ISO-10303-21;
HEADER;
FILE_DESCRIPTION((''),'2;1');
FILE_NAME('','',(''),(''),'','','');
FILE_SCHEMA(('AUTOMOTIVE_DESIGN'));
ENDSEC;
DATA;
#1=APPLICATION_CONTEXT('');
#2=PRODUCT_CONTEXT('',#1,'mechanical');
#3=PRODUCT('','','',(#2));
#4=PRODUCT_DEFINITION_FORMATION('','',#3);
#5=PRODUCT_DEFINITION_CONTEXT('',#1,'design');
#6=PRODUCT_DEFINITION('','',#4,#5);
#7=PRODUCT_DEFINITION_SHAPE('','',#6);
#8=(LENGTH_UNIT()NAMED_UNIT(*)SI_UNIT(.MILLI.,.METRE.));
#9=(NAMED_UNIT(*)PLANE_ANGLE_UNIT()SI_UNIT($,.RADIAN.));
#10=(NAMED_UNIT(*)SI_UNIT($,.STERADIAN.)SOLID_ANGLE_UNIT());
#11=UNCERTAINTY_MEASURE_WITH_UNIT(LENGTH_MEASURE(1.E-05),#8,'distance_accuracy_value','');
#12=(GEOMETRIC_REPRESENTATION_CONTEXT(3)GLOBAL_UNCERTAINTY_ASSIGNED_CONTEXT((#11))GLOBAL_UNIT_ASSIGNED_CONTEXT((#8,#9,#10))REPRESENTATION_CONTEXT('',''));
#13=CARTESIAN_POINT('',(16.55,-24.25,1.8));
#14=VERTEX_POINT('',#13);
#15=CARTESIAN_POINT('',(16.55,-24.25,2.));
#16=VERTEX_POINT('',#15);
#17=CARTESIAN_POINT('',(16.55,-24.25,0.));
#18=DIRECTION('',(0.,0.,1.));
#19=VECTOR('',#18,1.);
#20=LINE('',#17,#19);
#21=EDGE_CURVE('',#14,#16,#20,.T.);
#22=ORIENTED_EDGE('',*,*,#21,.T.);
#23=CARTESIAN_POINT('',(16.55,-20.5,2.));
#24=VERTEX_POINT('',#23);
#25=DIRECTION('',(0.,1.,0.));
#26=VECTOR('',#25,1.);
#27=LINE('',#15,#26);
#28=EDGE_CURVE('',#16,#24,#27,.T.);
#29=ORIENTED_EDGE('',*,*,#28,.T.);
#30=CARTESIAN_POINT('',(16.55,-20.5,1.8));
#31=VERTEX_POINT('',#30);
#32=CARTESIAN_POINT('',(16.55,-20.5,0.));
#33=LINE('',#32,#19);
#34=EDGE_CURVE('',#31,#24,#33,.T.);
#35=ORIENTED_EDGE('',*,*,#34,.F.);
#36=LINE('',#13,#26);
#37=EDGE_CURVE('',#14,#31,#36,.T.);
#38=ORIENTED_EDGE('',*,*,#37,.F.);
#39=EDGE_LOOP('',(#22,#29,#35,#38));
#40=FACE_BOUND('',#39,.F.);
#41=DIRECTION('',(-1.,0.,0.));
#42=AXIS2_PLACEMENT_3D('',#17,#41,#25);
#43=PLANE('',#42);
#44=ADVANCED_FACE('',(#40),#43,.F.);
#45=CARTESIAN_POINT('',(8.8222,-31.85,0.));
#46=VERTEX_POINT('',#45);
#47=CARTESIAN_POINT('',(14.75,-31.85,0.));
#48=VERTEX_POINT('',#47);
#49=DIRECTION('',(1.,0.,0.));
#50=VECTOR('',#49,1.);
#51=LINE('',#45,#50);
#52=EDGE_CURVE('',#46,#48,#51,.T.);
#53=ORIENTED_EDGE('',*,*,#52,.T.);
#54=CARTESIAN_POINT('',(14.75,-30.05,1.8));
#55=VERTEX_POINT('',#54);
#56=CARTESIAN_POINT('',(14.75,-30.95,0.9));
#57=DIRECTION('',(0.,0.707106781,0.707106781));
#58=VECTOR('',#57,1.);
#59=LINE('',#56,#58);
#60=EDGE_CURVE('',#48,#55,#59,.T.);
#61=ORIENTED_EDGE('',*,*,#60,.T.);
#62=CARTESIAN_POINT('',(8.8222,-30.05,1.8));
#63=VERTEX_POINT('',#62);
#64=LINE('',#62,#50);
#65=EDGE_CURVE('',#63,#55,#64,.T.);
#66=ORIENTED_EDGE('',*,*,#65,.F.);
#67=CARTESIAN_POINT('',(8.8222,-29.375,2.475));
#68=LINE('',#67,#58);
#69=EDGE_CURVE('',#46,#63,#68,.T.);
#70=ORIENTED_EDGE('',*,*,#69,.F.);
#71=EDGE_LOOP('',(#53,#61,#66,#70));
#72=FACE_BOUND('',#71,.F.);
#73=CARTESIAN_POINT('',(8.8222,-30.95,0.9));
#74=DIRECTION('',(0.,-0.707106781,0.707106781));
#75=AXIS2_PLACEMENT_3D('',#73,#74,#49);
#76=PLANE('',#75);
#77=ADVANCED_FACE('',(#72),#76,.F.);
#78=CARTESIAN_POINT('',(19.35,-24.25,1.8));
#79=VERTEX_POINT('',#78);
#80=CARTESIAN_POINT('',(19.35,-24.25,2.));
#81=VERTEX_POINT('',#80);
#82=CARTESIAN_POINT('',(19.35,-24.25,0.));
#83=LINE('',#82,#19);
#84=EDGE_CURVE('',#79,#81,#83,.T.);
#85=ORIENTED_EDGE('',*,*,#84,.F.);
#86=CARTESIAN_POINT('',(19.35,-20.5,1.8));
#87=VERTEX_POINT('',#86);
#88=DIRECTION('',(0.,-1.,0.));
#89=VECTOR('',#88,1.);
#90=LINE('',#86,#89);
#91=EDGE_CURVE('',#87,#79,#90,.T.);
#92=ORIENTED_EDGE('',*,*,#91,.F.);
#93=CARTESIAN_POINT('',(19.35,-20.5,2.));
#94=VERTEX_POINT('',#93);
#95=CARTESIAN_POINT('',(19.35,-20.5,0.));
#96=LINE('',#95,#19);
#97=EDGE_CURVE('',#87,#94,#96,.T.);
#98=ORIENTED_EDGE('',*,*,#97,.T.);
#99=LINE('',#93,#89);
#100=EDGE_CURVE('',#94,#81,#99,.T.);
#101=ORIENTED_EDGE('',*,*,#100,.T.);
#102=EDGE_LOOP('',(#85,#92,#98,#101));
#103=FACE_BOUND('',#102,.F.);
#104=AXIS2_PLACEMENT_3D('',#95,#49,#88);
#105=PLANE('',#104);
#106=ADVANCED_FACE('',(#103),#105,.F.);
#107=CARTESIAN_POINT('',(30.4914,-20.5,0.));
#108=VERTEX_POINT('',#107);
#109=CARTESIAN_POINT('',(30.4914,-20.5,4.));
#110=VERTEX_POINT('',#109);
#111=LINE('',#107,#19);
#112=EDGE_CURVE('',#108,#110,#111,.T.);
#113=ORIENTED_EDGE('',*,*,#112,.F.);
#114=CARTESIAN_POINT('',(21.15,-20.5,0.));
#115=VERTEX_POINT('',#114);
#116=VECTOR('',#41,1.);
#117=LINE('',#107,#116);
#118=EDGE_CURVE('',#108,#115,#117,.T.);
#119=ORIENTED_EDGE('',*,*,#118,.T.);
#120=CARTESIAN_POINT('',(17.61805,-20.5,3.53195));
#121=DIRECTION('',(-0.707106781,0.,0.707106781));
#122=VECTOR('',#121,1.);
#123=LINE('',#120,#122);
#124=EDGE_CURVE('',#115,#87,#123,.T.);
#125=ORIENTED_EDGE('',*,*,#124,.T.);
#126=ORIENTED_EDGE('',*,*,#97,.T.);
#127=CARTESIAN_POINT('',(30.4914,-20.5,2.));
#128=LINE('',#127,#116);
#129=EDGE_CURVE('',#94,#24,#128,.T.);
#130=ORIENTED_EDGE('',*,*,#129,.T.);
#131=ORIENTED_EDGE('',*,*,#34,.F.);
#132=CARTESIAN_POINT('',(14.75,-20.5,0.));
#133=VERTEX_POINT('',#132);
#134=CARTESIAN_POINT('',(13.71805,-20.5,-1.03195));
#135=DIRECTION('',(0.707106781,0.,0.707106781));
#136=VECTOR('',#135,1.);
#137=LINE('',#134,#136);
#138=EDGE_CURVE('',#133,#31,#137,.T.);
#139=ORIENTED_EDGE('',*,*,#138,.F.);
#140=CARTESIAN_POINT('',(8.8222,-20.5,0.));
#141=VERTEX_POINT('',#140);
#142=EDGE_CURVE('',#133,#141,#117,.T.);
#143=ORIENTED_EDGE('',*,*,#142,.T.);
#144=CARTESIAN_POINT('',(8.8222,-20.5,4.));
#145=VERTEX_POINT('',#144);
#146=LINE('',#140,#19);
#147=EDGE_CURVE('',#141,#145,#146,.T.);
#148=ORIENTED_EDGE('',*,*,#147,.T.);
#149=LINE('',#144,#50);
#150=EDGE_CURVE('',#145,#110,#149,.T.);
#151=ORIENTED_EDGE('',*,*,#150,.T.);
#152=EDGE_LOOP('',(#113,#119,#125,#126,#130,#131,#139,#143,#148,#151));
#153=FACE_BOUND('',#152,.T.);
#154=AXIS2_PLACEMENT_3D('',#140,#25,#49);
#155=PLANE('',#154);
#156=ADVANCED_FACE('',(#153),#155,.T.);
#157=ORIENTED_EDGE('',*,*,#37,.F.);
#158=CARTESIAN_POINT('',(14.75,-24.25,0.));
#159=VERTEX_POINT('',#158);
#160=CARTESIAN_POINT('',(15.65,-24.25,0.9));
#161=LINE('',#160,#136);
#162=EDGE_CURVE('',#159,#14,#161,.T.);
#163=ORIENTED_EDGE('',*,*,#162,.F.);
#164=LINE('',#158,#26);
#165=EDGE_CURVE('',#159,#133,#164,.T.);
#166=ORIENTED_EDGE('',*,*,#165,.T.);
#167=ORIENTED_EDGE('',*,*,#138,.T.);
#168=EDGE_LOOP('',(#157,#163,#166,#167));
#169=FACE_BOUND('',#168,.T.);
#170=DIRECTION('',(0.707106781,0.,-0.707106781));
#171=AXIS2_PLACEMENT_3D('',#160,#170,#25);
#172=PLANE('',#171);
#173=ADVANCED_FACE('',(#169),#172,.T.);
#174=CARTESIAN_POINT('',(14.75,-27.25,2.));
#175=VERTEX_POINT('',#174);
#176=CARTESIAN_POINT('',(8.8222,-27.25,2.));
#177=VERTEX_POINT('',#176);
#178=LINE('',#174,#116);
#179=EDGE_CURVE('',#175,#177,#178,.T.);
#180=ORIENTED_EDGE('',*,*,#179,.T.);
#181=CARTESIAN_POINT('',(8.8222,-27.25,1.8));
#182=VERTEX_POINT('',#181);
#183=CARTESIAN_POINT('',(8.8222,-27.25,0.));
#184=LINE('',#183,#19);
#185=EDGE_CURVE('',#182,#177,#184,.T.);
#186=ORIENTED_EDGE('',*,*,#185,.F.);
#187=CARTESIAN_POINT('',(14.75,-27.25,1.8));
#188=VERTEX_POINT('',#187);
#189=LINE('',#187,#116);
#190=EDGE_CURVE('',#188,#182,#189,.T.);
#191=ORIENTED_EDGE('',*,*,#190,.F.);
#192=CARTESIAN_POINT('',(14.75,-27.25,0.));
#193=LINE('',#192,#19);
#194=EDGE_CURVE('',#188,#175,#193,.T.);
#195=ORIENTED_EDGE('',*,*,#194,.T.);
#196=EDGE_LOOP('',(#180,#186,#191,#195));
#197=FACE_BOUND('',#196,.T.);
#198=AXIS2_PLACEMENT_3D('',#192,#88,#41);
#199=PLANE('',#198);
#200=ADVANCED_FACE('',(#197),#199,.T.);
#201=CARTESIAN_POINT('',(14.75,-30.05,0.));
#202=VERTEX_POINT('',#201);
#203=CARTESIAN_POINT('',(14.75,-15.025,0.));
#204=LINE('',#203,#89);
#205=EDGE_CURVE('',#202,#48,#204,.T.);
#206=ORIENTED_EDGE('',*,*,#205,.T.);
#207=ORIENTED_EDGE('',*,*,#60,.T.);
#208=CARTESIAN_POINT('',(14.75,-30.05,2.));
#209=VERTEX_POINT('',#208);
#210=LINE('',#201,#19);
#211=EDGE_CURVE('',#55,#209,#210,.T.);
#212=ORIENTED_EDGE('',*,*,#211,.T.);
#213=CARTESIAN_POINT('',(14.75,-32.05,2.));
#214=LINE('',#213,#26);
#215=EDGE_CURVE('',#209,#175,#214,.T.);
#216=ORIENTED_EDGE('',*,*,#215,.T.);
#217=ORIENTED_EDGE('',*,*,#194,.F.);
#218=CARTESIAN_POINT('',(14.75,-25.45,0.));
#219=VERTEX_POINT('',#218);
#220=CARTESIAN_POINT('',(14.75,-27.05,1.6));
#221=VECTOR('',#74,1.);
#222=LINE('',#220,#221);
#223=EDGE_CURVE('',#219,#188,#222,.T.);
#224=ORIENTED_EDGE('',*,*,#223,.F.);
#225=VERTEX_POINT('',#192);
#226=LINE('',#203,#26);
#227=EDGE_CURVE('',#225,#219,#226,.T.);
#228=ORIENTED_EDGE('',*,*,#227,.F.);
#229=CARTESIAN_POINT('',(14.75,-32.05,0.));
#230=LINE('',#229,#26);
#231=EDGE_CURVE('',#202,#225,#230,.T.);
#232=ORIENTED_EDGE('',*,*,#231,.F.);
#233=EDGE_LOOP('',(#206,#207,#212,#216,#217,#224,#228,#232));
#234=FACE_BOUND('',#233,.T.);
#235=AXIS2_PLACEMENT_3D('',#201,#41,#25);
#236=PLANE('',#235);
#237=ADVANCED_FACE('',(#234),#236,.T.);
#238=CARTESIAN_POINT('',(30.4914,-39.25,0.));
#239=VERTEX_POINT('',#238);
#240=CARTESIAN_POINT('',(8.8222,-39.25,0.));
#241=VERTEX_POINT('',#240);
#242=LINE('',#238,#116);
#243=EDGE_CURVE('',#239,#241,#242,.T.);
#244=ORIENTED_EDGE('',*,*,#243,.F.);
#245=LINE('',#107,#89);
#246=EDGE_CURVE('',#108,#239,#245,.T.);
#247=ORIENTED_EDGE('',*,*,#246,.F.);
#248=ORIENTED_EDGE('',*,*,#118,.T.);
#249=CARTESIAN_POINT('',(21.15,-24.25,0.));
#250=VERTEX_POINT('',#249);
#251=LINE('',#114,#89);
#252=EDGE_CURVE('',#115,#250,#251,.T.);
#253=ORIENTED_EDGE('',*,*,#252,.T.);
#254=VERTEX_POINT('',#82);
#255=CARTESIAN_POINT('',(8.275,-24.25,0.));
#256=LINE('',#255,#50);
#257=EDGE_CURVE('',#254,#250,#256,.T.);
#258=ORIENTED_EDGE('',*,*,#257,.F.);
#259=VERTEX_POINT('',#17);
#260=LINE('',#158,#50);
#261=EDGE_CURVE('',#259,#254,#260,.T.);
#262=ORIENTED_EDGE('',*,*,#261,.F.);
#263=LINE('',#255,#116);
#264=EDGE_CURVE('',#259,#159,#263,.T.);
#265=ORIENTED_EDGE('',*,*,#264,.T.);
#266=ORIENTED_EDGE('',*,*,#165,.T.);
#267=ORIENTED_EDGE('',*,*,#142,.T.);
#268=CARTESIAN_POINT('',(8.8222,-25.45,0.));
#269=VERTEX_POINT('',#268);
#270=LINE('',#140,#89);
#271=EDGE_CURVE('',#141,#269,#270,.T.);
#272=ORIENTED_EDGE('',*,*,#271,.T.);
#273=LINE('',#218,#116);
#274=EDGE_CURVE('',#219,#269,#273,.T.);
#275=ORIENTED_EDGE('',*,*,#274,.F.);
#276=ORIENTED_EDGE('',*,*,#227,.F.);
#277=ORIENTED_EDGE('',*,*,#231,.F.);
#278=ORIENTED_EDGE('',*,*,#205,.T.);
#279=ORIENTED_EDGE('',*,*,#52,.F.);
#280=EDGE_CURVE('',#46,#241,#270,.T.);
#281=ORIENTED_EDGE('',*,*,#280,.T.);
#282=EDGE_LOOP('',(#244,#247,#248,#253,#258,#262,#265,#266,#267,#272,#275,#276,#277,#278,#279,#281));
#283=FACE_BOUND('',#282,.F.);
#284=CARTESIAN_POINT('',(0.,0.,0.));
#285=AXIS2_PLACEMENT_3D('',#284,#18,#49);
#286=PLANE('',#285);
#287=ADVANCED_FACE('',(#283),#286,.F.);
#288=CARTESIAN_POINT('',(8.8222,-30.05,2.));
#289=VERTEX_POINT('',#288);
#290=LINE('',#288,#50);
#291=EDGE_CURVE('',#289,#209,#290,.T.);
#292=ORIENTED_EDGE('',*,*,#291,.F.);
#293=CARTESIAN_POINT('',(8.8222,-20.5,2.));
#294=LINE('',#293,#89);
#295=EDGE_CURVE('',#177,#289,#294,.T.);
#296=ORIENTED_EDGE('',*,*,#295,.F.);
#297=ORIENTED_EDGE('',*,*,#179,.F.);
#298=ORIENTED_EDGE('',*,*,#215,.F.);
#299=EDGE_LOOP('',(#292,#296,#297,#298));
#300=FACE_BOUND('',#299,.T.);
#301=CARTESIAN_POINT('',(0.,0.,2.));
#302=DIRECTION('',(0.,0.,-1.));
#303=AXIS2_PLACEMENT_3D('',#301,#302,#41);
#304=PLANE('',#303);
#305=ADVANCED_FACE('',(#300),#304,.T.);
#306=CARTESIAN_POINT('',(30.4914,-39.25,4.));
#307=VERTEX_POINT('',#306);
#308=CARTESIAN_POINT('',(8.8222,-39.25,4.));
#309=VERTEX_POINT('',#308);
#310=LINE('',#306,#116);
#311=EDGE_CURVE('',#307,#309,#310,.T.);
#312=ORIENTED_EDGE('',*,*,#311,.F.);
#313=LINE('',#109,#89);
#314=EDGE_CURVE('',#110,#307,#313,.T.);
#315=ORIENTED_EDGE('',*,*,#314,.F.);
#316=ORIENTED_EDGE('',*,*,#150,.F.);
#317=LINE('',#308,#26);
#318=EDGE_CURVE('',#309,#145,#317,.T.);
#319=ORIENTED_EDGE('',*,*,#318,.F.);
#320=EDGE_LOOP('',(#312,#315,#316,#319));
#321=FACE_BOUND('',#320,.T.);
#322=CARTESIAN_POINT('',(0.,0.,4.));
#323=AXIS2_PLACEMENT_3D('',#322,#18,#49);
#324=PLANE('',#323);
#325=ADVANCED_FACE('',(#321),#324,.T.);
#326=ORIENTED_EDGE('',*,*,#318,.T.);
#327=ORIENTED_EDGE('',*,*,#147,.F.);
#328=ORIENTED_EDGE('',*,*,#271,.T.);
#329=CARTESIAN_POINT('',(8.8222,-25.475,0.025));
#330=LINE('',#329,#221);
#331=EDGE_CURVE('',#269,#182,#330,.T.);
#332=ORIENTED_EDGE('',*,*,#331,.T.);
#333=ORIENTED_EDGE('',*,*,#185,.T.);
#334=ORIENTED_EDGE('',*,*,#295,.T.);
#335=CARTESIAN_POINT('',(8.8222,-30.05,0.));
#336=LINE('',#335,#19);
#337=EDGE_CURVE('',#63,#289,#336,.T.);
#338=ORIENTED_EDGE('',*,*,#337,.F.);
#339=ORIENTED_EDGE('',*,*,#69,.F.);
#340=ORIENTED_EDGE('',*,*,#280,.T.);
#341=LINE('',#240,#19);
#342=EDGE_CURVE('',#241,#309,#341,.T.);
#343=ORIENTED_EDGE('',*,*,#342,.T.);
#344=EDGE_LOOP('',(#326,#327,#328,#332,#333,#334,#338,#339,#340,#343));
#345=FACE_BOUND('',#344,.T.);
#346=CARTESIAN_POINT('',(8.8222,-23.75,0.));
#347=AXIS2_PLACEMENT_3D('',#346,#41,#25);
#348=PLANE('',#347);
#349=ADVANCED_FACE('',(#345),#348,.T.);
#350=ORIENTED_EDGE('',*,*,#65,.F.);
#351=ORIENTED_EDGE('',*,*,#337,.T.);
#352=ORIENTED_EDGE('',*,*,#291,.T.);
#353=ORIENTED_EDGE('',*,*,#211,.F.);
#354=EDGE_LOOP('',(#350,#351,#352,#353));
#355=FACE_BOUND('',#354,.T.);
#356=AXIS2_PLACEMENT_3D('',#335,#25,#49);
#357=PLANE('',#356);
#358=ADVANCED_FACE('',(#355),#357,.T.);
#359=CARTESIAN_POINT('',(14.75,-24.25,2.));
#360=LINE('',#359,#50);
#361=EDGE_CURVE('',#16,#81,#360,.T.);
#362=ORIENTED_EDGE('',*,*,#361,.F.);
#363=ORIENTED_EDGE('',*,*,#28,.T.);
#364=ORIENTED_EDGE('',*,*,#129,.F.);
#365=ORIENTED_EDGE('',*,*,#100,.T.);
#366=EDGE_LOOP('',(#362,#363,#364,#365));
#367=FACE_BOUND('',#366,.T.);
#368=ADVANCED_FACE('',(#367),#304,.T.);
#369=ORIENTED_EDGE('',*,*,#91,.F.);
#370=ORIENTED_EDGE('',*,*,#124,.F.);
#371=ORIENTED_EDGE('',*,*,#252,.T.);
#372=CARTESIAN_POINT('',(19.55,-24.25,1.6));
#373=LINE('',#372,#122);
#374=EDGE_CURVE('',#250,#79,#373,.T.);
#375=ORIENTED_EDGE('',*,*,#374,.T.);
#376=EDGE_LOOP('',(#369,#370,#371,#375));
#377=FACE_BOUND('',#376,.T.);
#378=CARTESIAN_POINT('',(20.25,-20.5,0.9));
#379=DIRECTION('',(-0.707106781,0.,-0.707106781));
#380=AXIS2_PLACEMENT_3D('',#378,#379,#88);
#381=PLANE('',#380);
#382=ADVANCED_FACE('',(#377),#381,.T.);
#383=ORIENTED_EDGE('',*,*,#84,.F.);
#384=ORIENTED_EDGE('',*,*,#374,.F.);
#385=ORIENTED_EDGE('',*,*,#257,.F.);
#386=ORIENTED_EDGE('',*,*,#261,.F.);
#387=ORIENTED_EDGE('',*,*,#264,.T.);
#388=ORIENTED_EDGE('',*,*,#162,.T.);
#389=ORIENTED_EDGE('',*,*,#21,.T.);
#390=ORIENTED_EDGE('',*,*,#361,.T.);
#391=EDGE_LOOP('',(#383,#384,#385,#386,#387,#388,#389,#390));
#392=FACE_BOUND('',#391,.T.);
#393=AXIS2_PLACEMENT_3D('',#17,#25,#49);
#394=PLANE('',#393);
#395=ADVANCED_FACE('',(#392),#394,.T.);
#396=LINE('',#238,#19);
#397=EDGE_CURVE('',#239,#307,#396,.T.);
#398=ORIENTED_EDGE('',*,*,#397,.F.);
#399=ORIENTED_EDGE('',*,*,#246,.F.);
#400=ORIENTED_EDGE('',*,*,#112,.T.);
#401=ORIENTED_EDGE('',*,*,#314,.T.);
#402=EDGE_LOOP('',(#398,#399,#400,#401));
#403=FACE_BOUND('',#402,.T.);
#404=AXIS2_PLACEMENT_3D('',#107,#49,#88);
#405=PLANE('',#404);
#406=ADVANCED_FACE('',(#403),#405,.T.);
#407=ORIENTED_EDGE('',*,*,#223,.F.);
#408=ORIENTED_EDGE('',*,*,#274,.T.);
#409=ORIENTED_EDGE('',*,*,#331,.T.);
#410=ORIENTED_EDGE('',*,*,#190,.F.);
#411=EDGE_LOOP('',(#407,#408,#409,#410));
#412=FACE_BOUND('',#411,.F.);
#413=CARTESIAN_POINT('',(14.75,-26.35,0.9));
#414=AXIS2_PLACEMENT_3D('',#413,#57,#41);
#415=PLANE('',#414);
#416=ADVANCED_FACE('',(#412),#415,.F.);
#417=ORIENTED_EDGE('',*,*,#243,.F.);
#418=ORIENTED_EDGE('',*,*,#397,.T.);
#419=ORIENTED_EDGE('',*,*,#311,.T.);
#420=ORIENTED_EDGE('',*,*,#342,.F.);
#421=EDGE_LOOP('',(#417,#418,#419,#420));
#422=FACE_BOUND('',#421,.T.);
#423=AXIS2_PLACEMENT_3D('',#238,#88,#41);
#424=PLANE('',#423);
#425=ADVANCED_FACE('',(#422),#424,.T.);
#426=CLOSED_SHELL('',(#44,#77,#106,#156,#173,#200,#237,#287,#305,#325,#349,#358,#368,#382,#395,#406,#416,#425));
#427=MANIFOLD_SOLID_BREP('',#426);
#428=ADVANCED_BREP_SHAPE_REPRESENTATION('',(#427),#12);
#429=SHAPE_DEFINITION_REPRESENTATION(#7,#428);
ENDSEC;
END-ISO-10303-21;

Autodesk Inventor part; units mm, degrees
ref_plane "YZ Plane" through (0, 0, 0) normal (1, 0, 0) x (0, 1, 0)
ref_plane "XZ Plane" through (0, 0, 0) normal (0, 1, 0) x (-1, 0, 0)
ref_plane "XY Plane" through (0, 0, 0) normal (0, 0, 1) x (1, 0, 0)
ref_plane "Arbeitsebene1" through (0, 0, 0) normal (0, 0, 1) x (1, 0, 0)
sketch "Skizze1" plane through (0, 0, 0) normal (0, 0, 1) x (1, 0, 0)
  line L0 (8.8222, -7.25) -> (-9.1, -7.25) projected
  line L1 (-9.1, -7.25) -> (-9.1, 29.75) projected
  line L2 (-9.1, 29.75) -> (45.9, 29.75) projected
  line L3 (45.9, 29.75) -> (45.9, -7.25) projected
  line L4 (45.9, -7.25) -> (27.9778, -7.25) projected
  line L5 (-63.9, -32.5058) -> (-63.9, -38.75) projected
  line L6 (63.9, -38.75) -> (63.9, 3.9837) projected
  line L7 (63.9, 3.9837) -> (56.9, 3.9837) projected
  line L8 (56.9, 3.9837) -> (56.9, 8.0046) projected
  spline S0 degree 2 poles (56.9, 8.0046) (47.4544, 9.25) (56.9, 10.4954) knots 0.408689 0.408689 0.408689 2.009633 2.009633 2.009633 weights 1.06106 1.156332 1.06106 projected
  line L9 (56.9, 10.4954) -> (56.9, 14.5163) projected
  line L10 (56.9, 14.5163) -> (63.9, 14.5163) projected
  arc A0 (63.9, 38.75) -> (59.9, 42.75) centre (59.9, 38.75) ccw projected
  line L11 (59.9, 42.75) -> (-59.9, 42.75) projected
  arc A1 (-59.9, 42.75) -> (-63.9, 38.75) centre (-59.9, 38.75) ccw projected
  line L12 (-63.9, 25.4963) -> (-55.9, 25.4963) projected
  line L13 (-55.9, 25.4963) -> (-55.9, 19.75) projected
  line L14 (-55.9, 19.75) -> (-18.9, 19.75) projected
  line L15 (-18.9, 19.75) -> (-18.9, 10.3274) projected
  spline S1 degree 2 poles (-18.9, 10.3274) (-11.6855, 9.25) (-18.9, 8.1726) knots 0.06387 0.06387 0.06387 0.952272 0.952272 0.952272 weights 1.010578 1.079212 1.010578 projected
  line L16 (-18.9, 8.1726) -> (-18.9, -1.25) projected
  line L17 (-18.9, -1.25) -> (-55.9, -1.25) projected
  line L18 (-55.9, -1.25) -> (-55.9, -6.9963) projected
  line L19 (-55.9, -6.9963) -> (-63.9, -6.9963) projected
  line L20 (-63.9, -6.9963) -> (-63.9, -22.9942) projected
  line L21 (14.75, -32.05) -> (21.15, -32.05)
  line L22 (21.15, -32.05) -> (21.15, -24.25)
  line L23 (21.15, -24.25) -> (14.75, -24.25)
  line L24 (14.75, -24.25) -> (14.75, -32.05)
  line L25 (8.8222, -20.5) -> (30.4914, -20.5)
  line L26 (30.4914, -20.5) -> (30.4914, -39.25)
  line L27 (30.4914, -39.25) -> (8.8222, -39.25)
  line L28 (8.8222, -39.25) -> (8.8222, -20.5)
  line L29 (63.9, 14.5163) -> (63.9, 38.75) projected
  circle A2 centre (5.4922, -12.0867) radius 1.4 projected
  circle A3 centre (17.95, -36.25) radius 1.4 projected
  circle A4 centre (-27.8589, -14.9953) radius 1.4 projected
  circle A5 centre (-42.2276, -36.25) radius 1.4 projected
  circle A6 centre (-42.2276, -19.25) radius 1.4 projected
  circle A7 centre (-27.8589, -39.949) radius 1.4 projected
  circle A8 centre (27.4914, -28.65) radius 1.4 projected
  circle A9 centre (32.285, -12.0867) radius 1.4 projected
  line L30 (-8.36, -23.75) -> (8.8222, -23.75) projected
  line L31 (8.8222, -23.75) -> (8.8222, -7.25) projected
  line L32 (27.9778, -7.25) -> (27.9778, -25.25) projected
  line L33 (27.9778, -25.25) -> (21.15, -25.25) projected
  line L34 (21.15, -25.25) -> (21.15, -32.05) projected
  line L35 (21.15, -32.05) -> (14.75, -32.05) projected
  line L36 (14.75, -32.05) -> (14.75, -31.75) projected
  line L37 (14.75, -31.75) -> (-8.36, -31.75) projected
  line L38 (-8.36, -31.75) -> (-8.36, -36.25) projected
  line L39 (-8.36, -36.25) -> (-23.36, -36.25) projected
  line L40 (-23.36, -33.75) -> (-23.36, -36.25) projected
  line L41 (-38.36, -33.75) -> (-23.36, -33.75) projected
  line L42 (-38.36, -33.75) -> (-38.36, -31.25) projected
  line L43 (-38.36, -31.25) -> (-41.36, -31.25) projected
  line L44 (-41.36, -31.25) -> (-41.36, -32.5058) projected
  line L45 (-41.36, -32.5058) -> (-63.9, -32.5058) projected
  arc A10 (-63.9, -38.75) -> (-59.9, -42.75) centre (-59.9, -38.75) ccw projected
  line L46 (-59.9, -42.75) -> (59.9, -42.75) projected
  arc A11 (59.9, -42.75) -> (63.9, -38.75) centre (59.9, -38.75) ccw projected
  line L47 (-63.9, 38.75) -> (-63.9, 25.4963) projected
  line L48 (-63.9, -22.9942) -> (-41.36, -22.9942) projected
  line L49 (-41.36, -22.9942) -> (-41.36, -24.25) projected
  line L50 (-41.36, -24.25) -> (-38.36, -24.25) projected
  line L51 (-38.36, -24.25) -> (-38.36, -21.75) projected
  line L52 (-38.36, -21.75) -> (-23.36, -21.75) projected
  line L53 (-23.36, -19.25) -> (-23.36, -21.75) projected
  line L54 (-23.36, -19.25) -> (-8.36, -19.25) projected
  line L55 (-8.36, -19.25) -> (-8.36, -23.75) projected
  point P0 (0, 0)
  point P1 (15.25, -24.75)
  dimension "d0" = 0.5
extrude "Extrusion1" add sketch "Skizze1" along normal blind 4 contours L25 L32 L33 L22 L23 L24 L37 L28 | L25 L26 L27 L28 L37 L24 L21 L22 L33 L32 | L22 L21 L24 L23 | A3 | A8
sketch "Skizze2" plane through (0, 0, 0) normal (0, 0, -1) x (-1, 0, 0)
  line L0 (-8.8222, -39.25) -> (-30.4914, -39.25) projected
  line L1 (-8.8222, -20.5) -> (-8.8222, -39.25) projected
  line L2 (-30.4914, -20.5) -> (-8.8222, -20.5) projected
  line L3 (-30.4914, -39.25) -> (-30.4914, -20.5) projected
  line L4 (-14.75, -32.05) -> (-14.75, -24.25) projected
  line L5 (-8.8222, -20.5) -> (-8.8222, -39.25) projected
  line L6 (-14.75, -27.25) -> (-8.8222, -27.25)
  line L7 (-8.8222, -27.25) -> (-8.8222, -30.05)
  line L8 (-8.8222, -30.05) -> (-14.75, -30.05)
  line L9 (-14.75, -30.05) -> (-14.75, -27.25)
  line L10 (-14.75, -24.25) -> (-21.15, -24.25) projected
  line L11 (-30.4914, -20.5) -> (-8.8222, -20.5) projected
  line L12 (-19.35, -24.25) -> (-16.55, -24.25)
  line L13 (-16.55, -24.25) -> (-16.55, -20.5)
  line L14 (-16.55, -20.5) -> (-19.35, -20.5)
  line L15 (-19.35, -20.5) -> (-19.35, -24.25)
  point P0 (0, 0)
extrude "Extrusion2" cut sketch "Skizze2" against normal blind 2 contours L8 L4 L6 L1 | L2 L13 L10 L15
chamfer "Fase1" distance 1.8 angle 45 4 edges at (11.7861, -30.05, 0) (11.7861, -27.25, 0) (16.55, -22.375, 0) (19.35, -22.375, 0)
properties part number "20_Scanner_Fixation"
